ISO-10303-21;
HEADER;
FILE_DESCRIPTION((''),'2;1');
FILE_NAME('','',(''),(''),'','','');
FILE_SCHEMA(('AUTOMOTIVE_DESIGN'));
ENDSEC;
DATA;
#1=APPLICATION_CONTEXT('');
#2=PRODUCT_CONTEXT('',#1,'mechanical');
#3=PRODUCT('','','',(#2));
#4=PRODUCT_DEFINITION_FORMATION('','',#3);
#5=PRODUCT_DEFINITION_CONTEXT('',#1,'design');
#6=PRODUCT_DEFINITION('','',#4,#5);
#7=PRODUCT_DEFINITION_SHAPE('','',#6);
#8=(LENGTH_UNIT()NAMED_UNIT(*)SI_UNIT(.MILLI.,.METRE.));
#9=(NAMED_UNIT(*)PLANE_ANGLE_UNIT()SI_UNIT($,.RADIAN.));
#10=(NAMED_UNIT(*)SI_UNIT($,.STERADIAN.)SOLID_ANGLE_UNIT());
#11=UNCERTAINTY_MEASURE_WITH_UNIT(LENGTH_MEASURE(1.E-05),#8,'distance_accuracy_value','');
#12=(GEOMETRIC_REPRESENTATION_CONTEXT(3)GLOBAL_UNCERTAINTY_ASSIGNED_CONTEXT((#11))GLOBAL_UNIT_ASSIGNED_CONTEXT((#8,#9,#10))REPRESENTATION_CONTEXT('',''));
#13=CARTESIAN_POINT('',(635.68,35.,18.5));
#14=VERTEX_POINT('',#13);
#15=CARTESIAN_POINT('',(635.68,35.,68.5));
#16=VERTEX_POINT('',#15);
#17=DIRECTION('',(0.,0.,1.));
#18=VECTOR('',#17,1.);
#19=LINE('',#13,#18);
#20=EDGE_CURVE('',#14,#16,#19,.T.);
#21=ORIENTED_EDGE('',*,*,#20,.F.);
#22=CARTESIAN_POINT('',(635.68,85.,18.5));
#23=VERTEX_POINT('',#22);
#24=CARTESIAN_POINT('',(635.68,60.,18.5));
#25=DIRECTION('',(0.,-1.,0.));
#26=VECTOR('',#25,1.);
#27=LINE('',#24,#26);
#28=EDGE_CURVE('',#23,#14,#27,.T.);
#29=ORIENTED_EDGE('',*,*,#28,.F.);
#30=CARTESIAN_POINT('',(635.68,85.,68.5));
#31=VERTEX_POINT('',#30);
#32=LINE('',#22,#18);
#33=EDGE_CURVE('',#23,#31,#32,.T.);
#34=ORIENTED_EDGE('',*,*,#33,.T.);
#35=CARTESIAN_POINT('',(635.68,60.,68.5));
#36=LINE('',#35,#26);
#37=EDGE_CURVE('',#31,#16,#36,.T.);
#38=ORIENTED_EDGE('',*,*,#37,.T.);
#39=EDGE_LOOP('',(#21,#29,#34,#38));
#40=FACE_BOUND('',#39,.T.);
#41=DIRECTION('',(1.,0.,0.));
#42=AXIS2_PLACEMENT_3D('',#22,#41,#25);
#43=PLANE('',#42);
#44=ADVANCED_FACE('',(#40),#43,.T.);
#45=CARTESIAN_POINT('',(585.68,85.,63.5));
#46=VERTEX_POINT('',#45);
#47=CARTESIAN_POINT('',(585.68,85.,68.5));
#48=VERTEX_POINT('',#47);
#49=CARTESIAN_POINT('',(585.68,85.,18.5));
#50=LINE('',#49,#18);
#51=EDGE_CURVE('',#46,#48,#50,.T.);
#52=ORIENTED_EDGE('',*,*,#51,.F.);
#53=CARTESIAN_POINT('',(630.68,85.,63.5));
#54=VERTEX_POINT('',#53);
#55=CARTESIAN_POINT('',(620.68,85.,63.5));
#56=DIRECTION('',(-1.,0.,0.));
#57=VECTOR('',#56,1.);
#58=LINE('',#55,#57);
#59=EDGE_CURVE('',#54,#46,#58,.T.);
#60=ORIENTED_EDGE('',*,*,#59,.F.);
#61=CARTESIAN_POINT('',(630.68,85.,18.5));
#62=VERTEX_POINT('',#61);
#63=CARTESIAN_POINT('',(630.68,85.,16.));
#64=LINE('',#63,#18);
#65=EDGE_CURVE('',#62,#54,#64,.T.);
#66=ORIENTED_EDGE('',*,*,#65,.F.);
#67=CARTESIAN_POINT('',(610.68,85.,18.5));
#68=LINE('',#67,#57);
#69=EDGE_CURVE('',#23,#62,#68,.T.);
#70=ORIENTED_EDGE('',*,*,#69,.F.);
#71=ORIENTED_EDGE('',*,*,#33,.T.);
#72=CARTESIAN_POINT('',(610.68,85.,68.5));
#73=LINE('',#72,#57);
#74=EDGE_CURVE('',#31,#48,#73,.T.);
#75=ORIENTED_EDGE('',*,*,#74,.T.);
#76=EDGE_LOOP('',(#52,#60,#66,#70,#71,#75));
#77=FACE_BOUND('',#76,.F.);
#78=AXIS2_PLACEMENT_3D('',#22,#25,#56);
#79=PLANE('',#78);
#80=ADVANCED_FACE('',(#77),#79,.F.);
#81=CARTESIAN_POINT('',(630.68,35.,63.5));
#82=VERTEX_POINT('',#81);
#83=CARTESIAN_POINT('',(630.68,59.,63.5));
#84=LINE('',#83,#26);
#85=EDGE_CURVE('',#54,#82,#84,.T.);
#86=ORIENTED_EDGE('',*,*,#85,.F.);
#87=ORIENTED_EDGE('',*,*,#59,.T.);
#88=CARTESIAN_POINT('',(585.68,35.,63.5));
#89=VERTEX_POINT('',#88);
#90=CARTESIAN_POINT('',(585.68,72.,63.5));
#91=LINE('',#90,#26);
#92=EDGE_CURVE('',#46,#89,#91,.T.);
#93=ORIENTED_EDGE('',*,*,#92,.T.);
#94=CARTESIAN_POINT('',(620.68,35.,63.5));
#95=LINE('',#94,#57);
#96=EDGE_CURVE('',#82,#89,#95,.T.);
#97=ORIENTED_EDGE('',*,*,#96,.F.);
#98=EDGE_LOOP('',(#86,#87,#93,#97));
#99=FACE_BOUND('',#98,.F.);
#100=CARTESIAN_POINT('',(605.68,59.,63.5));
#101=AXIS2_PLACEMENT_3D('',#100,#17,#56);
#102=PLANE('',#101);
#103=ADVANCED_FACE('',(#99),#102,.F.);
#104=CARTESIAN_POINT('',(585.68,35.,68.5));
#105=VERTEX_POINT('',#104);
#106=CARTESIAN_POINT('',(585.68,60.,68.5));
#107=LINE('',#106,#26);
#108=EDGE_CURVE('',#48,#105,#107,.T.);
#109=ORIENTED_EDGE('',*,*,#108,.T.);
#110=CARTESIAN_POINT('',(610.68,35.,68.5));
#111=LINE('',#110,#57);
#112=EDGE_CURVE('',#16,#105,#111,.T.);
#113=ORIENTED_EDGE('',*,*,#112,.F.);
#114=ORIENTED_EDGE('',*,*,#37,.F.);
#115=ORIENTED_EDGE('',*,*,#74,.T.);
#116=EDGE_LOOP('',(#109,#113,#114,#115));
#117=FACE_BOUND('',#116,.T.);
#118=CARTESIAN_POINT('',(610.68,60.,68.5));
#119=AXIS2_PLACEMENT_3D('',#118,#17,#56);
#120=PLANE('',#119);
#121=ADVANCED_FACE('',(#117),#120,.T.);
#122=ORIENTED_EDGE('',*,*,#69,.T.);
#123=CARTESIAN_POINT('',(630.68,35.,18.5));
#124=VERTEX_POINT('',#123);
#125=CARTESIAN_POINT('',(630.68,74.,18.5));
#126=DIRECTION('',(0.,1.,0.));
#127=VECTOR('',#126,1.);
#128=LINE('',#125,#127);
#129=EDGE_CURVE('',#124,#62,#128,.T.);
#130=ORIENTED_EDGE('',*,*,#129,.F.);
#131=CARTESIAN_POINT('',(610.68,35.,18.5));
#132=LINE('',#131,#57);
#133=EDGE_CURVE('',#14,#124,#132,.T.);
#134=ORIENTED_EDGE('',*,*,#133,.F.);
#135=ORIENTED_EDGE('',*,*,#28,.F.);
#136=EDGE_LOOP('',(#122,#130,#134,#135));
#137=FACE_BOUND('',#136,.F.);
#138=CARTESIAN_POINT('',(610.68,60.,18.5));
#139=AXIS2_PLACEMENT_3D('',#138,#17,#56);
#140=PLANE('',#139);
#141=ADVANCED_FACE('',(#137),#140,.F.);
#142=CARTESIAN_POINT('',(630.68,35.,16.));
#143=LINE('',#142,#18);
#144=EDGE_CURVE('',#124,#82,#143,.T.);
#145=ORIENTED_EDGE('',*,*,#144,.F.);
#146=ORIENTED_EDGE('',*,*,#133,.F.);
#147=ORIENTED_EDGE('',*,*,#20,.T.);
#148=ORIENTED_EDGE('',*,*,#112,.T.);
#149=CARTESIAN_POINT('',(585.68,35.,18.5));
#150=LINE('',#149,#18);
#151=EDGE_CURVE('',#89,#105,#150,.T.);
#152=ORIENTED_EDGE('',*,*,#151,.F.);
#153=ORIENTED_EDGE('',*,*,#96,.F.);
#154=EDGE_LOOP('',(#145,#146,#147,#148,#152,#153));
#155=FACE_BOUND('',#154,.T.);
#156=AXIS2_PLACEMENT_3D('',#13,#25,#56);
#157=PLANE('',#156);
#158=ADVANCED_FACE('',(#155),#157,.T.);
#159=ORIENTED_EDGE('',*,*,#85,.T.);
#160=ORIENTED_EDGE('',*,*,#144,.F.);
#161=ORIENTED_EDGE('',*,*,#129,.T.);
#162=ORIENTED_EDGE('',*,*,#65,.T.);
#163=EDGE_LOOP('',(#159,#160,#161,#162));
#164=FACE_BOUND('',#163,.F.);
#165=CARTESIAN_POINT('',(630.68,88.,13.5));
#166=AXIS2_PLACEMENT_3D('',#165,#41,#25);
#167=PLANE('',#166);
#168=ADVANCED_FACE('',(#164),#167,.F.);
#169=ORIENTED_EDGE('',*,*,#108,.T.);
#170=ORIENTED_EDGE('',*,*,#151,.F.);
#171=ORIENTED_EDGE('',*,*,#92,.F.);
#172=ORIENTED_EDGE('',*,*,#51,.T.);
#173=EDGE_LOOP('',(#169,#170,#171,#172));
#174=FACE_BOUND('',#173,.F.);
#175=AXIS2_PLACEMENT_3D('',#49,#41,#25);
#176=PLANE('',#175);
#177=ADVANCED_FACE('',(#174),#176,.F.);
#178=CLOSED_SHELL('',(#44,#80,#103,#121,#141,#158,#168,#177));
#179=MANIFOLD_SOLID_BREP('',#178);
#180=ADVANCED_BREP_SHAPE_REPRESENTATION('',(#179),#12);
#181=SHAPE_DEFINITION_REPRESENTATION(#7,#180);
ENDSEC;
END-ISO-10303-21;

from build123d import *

# Parameters (mm, degrees)
BOX007_W                  = 50
BOX007_H                  = 58
BOX007_DEPTH              = 50
BOX006_W                  = 50
BOX006_H                  = 50
BOX006_DEPTH              = 50
CUT002007_PLACEMENT_ANGLE = 180


with BuildPart() as cube002:
    # Box007 → Box007 (new body)
    with BuildSketch(Plane(origin=(5, -3, -5), x_dir=(1, 0, 0), z_dir=(0, 0, 1))):
        with Locations((25, 29)):
            Rectangle(BOX007_W, BOX007_H)
    extrude(amount=BOX007_DEPTH)


with BuildPart() as cut002007:
    # Box006 → Box006 (new body)
    with BuildSketch(Plane.XY):
        with Locations((25, 25)):
            Rectangle(BOX006_W, BOX006_H)
    extrude(amount=BOX006_DEPTH)

    # Cut002007: cut Cube002
    add(cube002.part, mode=Mode.SUBTRACT)


with BuildPart() as cut002007_1:
    # Cut002007 placement: moved
    add(cut002007.part.moved(Location((635.68, 85, 18.5))).rotate(Axis((635.68, 85, 18.5), (0, 0, 1)), CUT002007_PLACEMENT_ANGLE))


solid = cut002007_1.part
